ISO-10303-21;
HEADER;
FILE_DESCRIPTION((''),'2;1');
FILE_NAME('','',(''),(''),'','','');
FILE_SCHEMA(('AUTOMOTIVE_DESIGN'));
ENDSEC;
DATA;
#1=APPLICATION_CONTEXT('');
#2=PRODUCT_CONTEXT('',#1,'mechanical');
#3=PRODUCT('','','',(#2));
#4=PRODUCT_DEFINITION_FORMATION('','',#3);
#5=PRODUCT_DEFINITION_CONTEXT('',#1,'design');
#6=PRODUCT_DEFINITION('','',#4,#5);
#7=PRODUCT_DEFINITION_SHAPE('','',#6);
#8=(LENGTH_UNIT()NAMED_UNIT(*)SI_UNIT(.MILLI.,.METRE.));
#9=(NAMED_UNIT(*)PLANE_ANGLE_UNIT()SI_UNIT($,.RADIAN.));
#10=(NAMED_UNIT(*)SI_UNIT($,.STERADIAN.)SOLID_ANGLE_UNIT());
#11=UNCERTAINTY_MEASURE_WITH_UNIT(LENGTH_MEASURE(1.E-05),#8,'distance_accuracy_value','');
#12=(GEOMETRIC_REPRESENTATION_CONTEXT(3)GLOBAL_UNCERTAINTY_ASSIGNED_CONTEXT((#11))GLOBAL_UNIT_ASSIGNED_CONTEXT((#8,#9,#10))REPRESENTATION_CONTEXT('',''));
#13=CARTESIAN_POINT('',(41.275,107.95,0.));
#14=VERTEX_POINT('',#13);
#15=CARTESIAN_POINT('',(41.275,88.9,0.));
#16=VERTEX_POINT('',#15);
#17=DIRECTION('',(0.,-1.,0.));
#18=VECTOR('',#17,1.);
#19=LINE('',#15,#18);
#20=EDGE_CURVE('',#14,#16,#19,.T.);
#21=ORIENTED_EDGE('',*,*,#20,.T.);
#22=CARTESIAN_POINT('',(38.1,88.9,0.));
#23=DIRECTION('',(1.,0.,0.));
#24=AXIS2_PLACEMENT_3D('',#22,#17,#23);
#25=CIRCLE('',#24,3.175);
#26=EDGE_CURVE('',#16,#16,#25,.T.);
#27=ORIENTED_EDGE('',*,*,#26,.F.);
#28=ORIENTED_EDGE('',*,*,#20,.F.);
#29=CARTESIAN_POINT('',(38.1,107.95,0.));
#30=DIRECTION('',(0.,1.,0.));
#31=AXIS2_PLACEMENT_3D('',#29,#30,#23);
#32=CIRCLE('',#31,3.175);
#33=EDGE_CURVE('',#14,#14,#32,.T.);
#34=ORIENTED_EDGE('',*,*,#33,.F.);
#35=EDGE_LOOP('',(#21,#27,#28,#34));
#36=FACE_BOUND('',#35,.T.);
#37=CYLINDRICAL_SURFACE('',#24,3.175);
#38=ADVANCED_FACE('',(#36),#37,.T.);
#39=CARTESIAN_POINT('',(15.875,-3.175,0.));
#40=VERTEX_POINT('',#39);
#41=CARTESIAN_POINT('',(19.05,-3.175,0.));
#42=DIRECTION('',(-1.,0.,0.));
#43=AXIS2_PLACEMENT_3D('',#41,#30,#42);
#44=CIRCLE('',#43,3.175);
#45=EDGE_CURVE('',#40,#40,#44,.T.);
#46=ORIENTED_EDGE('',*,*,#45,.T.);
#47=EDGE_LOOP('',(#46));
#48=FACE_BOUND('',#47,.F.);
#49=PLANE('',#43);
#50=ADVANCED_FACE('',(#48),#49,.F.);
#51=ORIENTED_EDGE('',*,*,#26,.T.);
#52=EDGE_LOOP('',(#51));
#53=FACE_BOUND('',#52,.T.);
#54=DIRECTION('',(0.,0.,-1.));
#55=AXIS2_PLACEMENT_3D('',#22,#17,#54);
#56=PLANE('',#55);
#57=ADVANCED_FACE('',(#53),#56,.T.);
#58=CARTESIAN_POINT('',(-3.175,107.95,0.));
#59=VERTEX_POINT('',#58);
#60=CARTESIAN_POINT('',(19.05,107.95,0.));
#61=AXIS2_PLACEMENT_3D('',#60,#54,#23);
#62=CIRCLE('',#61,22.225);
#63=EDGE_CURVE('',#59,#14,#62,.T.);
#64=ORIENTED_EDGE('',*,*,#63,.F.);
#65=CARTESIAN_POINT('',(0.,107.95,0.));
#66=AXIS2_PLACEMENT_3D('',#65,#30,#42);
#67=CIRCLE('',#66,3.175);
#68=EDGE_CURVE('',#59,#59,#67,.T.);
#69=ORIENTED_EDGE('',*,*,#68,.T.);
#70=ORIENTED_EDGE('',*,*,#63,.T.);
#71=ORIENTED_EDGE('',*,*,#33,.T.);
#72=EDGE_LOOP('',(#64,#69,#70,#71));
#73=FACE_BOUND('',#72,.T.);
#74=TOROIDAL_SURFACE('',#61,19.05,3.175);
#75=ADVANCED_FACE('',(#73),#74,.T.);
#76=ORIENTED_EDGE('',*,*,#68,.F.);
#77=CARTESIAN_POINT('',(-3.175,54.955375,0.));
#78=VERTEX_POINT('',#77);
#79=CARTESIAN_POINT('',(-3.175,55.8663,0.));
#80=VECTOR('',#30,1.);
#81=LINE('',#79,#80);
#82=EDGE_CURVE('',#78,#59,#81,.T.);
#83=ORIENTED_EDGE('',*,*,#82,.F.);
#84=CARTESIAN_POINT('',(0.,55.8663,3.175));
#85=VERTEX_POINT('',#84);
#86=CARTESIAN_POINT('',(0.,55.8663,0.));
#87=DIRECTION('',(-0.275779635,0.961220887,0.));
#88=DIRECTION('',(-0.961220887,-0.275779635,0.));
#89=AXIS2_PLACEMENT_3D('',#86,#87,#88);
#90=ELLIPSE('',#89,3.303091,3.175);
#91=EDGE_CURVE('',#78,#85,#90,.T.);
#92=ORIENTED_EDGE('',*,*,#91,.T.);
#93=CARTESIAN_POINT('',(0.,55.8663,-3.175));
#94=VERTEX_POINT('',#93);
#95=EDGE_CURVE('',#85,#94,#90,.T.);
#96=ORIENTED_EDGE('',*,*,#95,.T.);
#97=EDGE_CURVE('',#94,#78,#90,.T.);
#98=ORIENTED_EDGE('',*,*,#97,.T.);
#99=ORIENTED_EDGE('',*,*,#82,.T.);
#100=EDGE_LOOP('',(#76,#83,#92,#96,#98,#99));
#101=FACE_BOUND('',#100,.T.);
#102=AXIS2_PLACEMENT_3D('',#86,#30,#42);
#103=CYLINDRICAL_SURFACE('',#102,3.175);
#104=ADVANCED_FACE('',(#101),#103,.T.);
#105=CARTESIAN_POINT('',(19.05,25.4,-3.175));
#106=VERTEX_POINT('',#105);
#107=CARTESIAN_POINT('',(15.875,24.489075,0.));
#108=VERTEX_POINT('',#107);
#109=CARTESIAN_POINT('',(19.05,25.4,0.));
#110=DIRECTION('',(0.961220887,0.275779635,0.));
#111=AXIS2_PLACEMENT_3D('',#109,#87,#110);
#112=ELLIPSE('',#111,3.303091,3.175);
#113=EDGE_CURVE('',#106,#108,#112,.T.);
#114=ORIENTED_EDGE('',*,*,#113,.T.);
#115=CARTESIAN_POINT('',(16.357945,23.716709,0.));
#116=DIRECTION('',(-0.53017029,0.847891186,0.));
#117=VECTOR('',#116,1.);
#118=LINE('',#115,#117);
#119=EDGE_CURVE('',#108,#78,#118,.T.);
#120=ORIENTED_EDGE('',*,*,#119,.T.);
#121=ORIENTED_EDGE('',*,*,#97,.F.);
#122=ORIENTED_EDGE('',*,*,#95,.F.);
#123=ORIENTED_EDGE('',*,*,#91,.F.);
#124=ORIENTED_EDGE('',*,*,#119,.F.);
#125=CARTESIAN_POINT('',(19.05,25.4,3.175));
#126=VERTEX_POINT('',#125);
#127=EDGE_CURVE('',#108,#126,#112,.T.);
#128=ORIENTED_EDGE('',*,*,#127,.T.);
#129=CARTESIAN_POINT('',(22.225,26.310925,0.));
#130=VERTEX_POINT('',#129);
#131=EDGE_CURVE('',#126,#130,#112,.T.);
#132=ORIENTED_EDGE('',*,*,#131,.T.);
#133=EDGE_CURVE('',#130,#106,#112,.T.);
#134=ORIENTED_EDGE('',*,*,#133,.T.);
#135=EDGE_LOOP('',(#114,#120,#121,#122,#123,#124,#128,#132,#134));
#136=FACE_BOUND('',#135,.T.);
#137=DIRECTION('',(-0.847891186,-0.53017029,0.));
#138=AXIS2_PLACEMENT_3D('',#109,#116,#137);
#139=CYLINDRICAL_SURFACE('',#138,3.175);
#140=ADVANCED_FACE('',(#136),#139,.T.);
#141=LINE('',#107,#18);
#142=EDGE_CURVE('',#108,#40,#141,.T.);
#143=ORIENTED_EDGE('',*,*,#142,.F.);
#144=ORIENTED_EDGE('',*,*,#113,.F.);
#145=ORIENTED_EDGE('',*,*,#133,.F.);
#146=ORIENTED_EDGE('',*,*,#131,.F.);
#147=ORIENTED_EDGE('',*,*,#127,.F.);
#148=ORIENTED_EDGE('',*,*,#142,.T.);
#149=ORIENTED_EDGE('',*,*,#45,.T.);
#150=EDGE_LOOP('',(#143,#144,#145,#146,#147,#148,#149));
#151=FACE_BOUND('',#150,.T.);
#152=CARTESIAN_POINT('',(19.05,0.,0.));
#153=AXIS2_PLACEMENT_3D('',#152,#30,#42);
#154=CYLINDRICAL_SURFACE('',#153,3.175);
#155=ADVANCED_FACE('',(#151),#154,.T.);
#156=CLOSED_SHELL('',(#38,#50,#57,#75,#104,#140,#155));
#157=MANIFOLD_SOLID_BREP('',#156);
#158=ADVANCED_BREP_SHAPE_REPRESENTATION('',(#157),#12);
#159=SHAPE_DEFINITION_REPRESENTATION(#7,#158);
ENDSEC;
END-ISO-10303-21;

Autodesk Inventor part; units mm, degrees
ref_plane "YZ Plane" through (0, 0, 0) normal (1, 0, 0) x (0, 1, 0)
ref_plane "XZ Plane" through (0, 0, 0) normal (0, 1, 0) x (-1, 0, 0)
sketch "Sketch1" plane through (0, 0, 0) normal (0, 0, 1) x (1, 0, 0)
  line L0 (19.05, 0) -> (19.05, 25.4)
  line L1 (19.05, 25.4) -> (0, 55.8663)
  arc A0 (38.1, 107.95) -> (0, 107.95) centre (19.05, 107.95) ccw
  line L2 (0, 55.8663) -> (0, 107.95)
  line L3 (38.1, 88.9) -> (38.1, 107.95)
  point P0 (0, 0)
  dimension "d2" = 25.4
ref_plane "Work Plane1" through (19.05, 0, 0) normal (0, 1, 0) x (-1, 0, 0)
sketch "Sketch2" plane through (19.05, 0, 0) normal (0, 1, 0) x (-1, 0, 0)
  circle A0 centre (0, 0) radius 3.175
  point P0 (19.05, 0)
  dimension "d6" = 6.35
sweep "Sweep1" add profiles "Sketch2" path "Sketch1"
sketch "Sketch3" plane through (19.05, 0, 0) normal (0, 1, 0) x (-1, 0, 0)
  circle A0 centre (0, 0) radius 3.175
  point P0 (19.05, 0)
  dimension "d8" = 6.35
extrude "Extrusion1" add sketch "Sketch3" against normal blind 3.175
ref_plane "Work Plane3" through (19.05, 11.1125, 0) normal (0, -1, 0) x (1, 0, 0)
ref_plane "Work Plane2" through (19.05, -3.175, 0) normal (0, -1, 0) x (1, 0, 0)
split_face "Split1"
thread "Thread1" size "1/4-20 UNC" class "2A" standard "ANSI Unified Screw Threads" full length
sketch "Sketch4" plane through (38.1, 88.9, 0) normal (0, -1, 0) x (1, 0, 0)
  circle A0 centre (0, 0) radius 3.175 projected
  point P0 (-38.1, 0)
  point P1 (3.175, 0)
  point P2 (-3.1732, -0.1068)
sketch "Sketch5" plane through (19.05, -3.175, 0) normal (0, -1, 0) x (1, 0, 0)
  circle A0 centre (0, 0) radius 3.175 projected
  point P0 (-19.05, 0)
  point P1 (3.175, 0)
ref_plane "Work Plane6" through (41.275, 88.9, 0) normal (-0.0168, 0.0035, 0.9999) x (-0.9999, 0, -0.0168)
properties part number "hook prototype"
